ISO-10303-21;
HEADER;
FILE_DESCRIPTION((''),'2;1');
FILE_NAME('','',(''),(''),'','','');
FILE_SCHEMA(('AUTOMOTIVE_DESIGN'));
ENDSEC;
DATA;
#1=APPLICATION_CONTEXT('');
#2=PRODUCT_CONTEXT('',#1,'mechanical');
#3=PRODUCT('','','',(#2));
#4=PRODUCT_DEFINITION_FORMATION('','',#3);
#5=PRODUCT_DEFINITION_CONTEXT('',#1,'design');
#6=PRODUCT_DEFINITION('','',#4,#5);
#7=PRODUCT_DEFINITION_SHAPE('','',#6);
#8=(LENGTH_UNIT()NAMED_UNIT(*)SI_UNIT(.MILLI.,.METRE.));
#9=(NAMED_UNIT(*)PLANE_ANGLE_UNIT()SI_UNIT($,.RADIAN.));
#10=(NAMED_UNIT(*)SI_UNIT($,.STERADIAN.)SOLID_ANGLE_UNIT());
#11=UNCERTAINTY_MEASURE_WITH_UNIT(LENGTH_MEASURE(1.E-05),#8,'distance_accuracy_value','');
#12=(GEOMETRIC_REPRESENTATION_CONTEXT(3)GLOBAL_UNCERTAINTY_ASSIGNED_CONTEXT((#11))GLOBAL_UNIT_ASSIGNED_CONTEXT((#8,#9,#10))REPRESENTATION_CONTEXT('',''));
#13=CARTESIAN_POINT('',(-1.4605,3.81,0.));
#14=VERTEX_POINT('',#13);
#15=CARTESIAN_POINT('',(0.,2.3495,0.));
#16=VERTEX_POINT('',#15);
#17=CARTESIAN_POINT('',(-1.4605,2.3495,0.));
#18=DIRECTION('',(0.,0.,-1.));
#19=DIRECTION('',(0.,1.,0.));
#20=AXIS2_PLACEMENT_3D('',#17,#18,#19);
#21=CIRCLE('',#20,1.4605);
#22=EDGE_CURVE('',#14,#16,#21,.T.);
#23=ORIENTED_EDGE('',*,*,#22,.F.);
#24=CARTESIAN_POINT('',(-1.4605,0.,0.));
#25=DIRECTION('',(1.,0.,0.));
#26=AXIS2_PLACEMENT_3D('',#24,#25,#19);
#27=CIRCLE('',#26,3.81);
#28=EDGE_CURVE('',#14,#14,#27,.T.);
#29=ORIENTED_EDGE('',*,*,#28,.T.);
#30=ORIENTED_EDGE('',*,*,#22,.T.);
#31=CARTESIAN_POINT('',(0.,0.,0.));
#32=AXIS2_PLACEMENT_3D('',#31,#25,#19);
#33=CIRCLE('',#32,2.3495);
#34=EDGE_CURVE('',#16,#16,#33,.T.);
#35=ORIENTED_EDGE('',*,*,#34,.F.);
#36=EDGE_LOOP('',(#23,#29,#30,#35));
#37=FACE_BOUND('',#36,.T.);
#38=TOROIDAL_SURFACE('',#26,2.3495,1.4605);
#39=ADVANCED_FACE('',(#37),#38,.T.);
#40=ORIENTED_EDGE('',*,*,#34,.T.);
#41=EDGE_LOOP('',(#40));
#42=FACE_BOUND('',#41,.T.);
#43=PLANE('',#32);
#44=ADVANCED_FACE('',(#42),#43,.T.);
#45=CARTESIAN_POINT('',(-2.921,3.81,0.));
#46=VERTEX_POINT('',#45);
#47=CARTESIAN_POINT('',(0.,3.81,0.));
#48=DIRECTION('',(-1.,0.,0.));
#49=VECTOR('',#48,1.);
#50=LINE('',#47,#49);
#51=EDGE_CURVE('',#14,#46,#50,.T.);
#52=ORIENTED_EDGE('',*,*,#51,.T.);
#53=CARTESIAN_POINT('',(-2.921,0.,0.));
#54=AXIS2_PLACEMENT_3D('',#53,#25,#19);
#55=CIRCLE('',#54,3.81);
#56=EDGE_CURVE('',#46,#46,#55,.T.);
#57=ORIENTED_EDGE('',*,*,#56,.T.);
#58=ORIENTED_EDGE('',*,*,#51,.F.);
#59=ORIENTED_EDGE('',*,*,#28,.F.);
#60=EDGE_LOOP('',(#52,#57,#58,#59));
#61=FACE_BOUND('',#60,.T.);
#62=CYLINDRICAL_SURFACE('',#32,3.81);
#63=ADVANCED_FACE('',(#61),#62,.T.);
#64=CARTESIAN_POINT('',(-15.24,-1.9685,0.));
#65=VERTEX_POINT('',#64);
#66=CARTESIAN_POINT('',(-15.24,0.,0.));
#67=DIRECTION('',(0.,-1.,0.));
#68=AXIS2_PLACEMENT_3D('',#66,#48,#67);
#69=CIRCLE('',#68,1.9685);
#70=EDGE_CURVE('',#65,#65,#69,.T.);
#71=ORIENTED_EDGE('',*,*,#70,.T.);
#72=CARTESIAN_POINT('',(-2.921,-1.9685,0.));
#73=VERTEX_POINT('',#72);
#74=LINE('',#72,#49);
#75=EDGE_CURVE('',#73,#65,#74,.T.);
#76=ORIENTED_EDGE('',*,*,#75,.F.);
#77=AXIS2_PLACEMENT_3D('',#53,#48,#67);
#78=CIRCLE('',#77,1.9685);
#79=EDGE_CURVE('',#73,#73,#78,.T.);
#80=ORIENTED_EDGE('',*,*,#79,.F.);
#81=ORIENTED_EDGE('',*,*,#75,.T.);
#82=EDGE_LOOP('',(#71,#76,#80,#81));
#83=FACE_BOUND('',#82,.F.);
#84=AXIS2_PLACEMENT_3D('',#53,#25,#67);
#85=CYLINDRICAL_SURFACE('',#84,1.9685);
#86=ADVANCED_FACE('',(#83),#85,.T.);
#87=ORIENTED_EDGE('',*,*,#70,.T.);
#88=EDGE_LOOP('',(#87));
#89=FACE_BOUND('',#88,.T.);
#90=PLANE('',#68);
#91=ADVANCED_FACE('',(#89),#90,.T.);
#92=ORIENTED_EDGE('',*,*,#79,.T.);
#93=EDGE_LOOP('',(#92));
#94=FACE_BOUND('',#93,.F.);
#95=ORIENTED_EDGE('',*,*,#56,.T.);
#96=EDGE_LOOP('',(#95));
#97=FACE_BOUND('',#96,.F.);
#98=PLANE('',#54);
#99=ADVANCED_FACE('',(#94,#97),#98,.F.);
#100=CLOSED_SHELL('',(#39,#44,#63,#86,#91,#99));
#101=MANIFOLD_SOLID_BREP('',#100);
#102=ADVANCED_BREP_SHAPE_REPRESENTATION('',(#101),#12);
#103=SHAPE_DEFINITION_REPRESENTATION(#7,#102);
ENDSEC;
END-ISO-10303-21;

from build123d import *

# Parameters (mm, degrees)
F0_R     = 3.81
F1_DEPTH = 2.921
F2_R     = 1.4605
F3_R     = 1.9685
F4_DEPTH = 12.319


with BuildPart() as f1:
    # F0 (on Right) → F1 (new body)
    with BuildSketch(Plane.YZ):
        Circle(F0_R)
    extrude(amount=-F1_DEPTH)

    # F2
    f2_edges = [f1.edges().sort_by_distance(p)[0] for p in [
        (0, -3.81, 0),
    ]]
    fillet(f2_edges, radius=F2_R)

    # F3 (on face) → F4 (join)
    with BuildSketch(Plane(origin=(-2.921, 0, 0), x_dir=(0, -1, 0), z_dir=(-1, 0, 0))):
        Circle(F3_R)
    extrude(amount=F4_DEPTH)


solid = f1.part
